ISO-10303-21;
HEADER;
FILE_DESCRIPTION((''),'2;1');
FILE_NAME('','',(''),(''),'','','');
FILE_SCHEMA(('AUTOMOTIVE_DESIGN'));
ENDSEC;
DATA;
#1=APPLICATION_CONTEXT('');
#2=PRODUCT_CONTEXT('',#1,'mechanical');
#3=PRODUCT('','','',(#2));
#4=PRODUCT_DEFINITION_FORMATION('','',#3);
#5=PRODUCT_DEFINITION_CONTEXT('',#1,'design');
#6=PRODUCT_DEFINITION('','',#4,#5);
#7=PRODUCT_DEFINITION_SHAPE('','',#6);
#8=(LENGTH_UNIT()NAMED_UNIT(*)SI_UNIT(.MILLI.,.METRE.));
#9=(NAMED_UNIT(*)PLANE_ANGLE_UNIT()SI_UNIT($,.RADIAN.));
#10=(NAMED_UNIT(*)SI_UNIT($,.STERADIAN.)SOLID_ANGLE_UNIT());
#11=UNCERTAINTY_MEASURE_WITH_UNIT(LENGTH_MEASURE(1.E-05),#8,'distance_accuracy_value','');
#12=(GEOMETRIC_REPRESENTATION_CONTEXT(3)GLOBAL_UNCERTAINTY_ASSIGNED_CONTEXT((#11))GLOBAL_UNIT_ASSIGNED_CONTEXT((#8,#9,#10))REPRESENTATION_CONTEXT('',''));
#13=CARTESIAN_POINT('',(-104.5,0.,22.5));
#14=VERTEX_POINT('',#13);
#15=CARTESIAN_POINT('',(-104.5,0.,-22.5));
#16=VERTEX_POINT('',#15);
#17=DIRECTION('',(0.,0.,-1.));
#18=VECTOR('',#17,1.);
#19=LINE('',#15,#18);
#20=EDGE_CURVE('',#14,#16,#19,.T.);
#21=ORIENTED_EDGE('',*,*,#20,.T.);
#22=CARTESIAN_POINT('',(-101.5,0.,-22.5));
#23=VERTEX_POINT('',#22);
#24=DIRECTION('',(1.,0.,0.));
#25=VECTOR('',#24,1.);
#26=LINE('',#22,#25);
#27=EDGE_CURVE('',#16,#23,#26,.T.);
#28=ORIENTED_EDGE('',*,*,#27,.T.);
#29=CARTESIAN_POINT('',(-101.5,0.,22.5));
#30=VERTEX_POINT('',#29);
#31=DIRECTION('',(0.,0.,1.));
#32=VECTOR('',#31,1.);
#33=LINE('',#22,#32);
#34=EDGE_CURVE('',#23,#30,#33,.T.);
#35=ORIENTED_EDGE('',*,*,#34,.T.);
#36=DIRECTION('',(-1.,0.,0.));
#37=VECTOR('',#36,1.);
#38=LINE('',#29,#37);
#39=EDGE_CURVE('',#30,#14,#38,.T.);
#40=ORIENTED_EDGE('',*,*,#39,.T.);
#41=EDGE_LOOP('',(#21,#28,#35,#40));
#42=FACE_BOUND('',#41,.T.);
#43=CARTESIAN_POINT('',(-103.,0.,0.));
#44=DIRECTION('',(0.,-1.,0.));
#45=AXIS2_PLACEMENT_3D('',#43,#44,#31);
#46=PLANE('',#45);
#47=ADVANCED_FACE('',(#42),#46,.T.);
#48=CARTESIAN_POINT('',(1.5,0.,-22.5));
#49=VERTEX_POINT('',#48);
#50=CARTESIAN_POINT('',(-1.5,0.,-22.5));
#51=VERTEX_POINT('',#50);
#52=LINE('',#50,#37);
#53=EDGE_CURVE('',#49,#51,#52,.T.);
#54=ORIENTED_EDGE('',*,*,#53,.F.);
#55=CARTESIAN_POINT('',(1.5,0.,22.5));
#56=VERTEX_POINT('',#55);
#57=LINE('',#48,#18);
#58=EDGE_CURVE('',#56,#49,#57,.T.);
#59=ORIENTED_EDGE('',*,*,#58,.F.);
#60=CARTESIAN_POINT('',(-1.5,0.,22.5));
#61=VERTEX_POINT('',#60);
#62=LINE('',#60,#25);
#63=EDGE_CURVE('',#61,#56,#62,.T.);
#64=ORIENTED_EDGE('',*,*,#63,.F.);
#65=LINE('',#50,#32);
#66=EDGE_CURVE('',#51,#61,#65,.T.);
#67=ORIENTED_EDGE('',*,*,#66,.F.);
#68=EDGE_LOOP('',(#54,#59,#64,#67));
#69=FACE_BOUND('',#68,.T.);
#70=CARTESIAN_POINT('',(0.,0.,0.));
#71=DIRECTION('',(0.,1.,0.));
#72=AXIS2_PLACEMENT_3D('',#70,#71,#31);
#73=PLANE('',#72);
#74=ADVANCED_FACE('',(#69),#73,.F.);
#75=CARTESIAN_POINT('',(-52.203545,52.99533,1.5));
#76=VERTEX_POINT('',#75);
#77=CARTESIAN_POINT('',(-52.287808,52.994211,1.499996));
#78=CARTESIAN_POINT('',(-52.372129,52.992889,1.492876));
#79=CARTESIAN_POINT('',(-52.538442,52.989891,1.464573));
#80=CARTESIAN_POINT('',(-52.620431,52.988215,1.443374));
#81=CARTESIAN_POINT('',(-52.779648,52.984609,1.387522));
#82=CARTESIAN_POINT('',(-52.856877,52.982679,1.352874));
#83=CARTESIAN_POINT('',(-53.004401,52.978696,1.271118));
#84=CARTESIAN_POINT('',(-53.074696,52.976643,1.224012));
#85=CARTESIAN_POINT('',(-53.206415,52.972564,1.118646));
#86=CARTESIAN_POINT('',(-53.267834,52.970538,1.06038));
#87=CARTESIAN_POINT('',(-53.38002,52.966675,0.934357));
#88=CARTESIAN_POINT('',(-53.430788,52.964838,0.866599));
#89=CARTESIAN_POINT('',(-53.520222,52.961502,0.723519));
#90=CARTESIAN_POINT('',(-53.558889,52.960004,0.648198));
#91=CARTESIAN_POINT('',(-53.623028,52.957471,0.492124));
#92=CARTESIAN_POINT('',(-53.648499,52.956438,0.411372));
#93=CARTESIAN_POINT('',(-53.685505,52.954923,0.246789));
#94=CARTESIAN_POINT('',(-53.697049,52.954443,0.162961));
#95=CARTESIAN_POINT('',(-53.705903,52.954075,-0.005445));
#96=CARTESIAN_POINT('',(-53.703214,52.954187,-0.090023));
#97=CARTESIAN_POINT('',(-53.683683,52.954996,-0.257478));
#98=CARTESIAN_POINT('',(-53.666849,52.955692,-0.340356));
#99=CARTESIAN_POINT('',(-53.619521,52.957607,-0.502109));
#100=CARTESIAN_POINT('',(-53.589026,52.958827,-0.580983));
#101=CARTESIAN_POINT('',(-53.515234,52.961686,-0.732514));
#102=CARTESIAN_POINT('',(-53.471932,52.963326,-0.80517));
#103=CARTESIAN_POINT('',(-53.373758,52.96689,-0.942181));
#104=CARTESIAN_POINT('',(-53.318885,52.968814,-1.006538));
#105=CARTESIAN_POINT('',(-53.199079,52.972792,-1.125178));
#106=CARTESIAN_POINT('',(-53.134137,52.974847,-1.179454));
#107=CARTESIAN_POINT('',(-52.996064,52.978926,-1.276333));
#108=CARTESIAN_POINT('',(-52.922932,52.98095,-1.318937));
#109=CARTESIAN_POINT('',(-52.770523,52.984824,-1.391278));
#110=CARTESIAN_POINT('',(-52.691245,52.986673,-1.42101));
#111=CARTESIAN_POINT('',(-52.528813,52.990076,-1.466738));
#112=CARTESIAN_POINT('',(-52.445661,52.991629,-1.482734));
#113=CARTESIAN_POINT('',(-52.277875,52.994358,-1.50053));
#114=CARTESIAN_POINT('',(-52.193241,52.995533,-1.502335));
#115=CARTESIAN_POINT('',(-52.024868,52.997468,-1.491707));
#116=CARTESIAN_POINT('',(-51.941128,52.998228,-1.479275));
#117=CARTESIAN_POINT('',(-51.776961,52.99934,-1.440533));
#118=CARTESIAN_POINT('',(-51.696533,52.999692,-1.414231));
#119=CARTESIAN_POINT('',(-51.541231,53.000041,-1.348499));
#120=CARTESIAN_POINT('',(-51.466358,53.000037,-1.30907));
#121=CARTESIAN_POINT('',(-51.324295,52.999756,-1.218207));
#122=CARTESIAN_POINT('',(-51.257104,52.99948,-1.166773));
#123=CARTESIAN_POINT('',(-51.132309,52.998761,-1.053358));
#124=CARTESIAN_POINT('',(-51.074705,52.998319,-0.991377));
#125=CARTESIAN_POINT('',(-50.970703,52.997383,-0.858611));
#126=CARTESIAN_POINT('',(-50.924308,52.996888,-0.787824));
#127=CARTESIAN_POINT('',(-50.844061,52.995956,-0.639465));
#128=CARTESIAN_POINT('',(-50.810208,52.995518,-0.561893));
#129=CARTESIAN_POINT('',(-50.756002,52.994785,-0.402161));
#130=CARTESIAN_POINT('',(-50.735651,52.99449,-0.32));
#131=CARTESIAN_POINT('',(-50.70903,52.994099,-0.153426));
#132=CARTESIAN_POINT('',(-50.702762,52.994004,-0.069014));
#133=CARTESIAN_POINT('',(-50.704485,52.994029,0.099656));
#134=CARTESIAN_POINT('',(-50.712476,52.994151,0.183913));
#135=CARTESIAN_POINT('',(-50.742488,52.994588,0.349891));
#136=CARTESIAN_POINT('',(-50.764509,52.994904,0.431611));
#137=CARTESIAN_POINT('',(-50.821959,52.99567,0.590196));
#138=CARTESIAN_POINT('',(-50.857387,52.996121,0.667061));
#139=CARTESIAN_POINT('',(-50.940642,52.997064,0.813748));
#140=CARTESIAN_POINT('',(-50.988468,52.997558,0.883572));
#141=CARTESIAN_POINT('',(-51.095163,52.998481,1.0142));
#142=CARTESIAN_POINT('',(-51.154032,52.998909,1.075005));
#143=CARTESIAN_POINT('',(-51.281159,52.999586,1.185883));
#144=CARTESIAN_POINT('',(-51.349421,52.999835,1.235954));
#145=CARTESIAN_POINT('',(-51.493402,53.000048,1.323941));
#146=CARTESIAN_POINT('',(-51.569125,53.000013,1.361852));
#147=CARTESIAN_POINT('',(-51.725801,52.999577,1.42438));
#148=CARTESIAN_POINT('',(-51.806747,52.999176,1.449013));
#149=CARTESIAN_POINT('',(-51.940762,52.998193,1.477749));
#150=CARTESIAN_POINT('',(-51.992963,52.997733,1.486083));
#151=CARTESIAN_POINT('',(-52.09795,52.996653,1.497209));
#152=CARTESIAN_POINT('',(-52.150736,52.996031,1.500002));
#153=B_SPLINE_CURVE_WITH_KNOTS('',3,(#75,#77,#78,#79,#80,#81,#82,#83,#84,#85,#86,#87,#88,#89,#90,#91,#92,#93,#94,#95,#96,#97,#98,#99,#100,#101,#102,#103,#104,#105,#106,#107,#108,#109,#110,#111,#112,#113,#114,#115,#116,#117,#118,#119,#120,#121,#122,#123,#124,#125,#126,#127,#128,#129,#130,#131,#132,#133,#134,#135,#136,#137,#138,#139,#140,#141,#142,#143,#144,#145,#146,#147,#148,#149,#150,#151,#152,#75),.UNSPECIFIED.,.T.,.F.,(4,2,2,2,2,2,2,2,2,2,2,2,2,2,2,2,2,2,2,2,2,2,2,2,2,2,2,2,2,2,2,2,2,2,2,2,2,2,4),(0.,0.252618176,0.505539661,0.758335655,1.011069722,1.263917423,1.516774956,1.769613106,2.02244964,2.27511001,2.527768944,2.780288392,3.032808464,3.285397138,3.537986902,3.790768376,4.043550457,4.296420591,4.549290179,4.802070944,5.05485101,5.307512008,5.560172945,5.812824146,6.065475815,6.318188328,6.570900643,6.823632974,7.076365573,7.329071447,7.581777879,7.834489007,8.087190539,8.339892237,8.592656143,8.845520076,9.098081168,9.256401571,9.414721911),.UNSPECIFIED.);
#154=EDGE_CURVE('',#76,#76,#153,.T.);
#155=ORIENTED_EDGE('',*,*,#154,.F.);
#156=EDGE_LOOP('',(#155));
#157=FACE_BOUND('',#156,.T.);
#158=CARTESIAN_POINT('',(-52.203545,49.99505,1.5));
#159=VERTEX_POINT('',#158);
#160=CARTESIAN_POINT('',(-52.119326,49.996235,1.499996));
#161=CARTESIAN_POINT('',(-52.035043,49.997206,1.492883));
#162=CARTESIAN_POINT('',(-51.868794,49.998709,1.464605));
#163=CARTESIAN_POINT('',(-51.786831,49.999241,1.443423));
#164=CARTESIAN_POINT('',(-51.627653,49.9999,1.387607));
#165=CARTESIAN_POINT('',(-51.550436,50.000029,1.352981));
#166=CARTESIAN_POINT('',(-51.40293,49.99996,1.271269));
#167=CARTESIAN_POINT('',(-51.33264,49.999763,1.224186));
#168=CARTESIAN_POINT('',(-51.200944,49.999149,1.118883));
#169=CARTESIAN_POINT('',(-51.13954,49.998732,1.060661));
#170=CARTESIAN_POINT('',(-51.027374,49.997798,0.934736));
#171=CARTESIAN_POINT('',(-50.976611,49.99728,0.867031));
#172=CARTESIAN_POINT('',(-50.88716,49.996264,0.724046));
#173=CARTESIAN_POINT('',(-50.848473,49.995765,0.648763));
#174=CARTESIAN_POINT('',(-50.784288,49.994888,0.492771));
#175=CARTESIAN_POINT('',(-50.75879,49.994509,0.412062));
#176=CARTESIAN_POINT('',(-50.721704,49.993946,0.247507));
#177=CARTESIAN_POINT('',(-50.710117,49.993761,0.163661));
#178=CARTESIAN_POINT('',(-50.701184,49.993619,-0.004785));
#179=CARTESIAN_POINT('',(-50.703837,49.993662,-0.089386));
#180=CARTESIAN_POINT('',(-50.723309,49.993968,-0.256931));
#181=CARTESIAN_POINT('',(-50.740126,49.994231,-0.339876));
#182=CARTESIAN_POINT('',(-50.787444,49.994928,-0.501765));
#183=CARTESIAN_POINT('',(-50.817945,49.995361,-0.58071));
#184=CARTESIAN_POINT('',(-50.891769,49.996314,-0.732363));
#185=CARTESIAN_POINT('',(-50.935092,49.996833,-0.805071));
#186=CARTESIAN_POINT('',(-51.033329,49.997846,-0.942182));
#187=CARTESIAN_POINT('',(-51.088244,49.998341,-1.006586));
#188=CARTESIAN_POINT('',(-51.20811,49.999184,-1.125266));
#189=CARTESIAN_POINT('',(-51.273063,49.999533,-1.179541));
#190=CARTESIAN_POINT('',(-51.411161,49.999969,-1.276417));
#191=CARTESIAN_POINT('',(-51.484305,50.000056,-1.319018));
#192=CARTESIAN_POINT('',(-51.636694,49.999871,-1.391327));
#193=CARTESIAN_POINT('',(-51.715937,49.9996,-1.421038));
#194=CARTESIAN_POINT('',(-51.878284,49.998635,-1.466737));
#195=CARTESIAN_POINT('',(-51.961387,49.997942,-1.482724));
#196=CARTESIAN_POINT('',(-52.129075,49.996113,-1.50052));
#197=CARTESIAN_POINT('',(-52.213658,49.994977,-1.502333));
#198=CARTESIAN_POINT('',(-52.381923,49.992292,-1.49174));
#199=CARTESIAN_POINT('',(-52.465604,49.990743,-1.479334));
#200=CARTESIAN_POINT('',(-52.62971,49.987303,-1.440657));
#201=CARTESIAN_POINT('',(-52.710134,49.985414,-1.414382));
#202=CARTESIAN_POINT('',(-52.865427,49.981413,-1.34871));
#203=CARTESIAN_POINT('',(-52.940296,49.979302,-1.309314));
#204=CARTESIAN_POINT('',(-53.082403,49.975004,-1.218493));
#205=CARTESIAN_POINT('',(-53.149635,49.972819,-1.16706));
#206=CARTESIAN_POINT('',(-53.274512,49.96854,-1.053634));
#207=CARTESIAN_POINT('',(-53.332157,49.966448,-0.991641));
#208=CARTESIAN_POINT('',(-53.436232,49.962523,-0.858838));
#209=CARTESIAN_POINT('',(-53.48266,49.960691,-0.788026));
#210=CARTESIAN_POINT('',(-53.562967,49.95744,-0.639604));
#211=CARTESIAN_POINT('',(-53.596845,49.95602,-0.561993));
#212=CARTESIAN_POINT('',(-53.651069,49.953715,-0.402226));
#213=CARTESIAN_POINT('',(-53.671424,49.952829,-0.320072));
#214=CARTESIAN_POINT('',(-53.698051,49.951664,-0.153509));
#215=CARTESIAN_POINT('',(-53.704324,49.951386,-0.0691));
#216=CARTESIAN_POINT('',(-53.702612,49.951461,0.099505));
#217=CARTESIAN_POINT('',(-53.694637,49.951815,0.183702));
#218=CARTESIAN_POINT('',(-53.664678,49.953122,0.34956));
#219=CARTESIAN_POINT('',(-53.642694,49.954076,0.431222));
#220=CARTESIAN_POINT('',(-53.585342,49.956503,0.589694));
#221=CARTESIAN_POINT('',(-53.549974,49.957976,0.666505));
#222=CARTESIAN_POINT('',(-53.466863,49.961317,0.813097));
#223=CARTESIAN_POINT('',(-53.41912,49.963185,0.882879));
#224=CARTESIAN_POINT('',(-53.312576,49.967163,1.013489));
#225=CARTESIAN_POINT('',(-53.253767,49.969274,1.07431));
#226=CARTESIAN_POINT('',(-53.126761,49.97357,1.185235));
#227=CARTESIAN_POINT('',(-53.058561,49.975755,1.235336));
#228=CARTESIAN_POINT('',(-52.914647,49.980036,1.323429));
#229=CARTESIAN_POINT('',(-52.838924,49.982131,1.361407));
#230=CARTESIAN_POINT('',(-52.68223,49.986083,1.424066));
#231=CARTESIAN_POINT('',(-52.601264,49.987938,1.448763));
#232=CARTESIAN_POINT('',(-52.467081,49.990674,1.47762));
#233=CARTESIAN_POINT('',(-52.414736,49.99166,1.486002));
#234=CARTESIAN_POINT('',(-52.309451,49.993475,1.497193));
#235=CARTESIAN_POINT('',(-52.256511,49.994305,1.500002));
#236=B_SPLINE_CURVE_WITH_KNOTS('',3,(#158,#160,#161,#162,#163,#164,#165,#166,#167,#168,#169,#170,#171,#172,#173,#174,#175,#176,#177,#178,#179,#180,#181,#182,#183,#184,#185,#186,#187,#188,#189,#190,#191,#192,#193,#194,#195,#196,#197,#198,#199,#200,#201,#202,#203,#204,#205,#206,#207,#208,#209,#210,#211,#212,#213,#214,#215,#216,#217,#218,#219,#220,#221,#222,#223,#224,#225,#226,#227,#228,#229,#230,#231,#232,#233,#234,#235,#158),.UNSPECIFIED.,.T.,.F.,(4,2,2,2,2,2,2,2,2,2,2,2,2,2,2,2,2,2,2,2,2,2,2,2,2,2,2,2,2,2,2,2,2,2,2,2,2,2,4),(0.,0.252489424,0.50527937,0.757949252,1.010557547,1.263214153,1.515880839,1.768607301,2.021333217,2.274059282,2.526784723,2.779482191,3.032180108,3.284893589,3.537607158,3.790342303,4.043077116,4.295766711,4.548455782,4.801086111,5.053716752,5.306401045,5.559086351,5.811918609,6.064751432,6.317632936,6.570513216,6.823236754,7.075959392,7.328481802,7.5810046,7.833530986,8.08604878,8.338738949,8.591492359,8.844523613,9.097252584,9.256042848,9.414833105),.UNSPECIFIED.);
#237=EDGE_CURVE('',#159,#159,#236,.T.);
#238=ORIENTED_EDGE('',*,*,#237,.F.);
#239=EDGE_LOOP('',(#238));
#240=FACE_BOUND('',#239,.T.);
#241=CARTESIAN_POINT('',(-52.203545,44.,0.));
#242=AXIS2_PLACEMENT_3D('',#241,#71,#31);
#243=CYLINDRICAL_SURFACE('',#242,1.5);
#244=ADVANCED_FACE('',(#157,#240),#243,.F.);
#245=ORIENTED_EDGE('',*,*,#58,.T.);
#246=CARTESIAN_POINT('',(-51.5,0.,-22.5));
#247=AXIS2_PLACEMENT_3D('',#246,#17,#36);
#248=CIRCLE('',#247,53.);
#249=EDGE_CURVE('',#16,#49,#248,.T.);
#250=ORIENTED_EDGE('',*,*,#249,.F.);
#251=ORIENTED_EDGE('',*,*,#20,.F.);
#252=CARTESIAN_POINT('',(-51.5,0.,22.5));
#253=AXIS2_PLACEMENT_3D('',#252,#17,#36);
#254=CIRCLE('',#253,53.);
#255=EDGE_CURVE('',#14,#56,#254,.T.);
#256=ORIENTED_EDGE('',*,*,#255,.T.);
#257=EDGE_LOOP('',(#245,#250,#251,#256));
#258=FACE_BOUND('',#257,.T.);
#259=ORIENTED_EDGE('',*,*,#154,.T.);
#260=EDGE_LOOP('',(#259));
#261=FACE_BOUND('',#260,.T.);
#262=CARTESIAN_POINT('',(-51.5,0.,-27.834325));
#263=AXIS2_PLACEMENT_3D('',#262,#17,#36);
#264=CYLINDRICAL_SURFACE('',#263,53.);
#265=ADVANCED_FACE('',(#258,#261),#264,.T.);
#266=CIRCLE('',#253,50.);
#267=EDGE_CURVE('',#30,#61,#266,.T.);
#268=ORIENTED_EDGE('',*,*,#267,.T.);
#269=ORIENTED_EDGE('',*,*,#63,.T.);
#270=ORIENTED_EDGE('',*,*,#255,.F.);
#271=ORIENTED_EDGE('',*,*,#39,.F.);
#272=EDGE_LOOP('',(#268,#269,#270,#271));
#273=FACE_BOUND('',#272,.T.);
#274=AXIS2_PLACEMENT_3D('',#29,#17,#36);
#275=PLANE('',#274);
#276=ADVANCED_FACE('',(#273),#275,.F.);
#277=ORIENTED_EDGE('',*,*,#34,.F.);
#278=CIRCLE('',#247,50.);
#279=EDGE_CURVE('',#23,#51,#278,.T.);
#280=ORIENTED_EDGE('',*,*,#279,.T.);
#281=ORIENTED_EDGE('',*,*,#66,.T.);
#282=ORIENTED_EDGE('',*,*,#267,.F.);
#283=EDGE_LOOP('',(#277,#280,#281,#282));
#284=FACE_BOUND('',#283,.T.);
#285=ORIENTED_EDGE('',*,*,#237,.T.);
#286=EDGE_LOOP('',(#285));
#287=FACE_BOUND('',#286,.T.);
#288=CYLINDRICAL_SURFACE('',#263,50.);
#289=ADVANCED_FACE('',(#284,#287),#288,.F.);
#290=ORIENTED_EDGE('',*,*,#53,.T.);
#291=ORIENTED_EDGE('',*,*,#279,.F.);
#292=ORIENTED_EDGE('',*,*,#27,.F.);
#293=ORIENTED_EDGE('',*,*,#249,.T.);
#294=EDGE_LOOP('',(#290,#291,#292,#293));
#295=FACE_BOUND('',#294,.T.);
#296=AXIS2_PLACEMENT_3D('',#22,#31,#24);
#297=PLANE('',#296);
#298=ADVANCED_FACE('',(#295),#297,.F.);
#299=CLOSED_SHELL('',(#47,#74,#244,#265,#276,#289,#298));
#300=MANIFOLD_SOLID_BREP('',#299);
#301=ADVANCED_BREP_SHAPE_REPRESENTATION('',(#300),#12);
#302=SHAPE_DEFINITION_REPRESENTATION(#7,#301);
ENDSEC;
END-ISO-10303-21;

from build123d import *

# Parameters (mm, degrees)
SKETCH1_W          = 3
SKETCH1_H          = 45
REVOLVE1_ANGLE     = 180
SKETCH2_R          = 1.5
CUT_EXTRUDE1_DEPTH = 10


with BuildPart() as part:
    # Sketch1 → Revolve1 (revolve)
    with BuildSketch(Plane(origin=(0, 0, 0), x_dir=(1, 0, 0), z_dir=(0, 1, 0))):
        Rectangle(SKETCH1_W, SKETCH1_H)
    revolve(axis=Axis((-51.5, 0, -27.834324949), (0, 0, 1)), revolution_arc=REVOLVE1_ANGLE)

    # Sketch2 → Cut-Extrude1 (cut)
    with BuildSketch(Plane(origin=(0, 54, 0), x_dir=(1, 0, 0), z_dir=(0, 1, 0))):
        with Locations(Location((-52.203545166, 0, 0), (0, 0, 270))):
            Circle(SKETCH2_R)
    extrude(amount=-CUT_EXTRUDE1_DEPTH, mode=Mode.SUBTRACT)


solid = part.part
